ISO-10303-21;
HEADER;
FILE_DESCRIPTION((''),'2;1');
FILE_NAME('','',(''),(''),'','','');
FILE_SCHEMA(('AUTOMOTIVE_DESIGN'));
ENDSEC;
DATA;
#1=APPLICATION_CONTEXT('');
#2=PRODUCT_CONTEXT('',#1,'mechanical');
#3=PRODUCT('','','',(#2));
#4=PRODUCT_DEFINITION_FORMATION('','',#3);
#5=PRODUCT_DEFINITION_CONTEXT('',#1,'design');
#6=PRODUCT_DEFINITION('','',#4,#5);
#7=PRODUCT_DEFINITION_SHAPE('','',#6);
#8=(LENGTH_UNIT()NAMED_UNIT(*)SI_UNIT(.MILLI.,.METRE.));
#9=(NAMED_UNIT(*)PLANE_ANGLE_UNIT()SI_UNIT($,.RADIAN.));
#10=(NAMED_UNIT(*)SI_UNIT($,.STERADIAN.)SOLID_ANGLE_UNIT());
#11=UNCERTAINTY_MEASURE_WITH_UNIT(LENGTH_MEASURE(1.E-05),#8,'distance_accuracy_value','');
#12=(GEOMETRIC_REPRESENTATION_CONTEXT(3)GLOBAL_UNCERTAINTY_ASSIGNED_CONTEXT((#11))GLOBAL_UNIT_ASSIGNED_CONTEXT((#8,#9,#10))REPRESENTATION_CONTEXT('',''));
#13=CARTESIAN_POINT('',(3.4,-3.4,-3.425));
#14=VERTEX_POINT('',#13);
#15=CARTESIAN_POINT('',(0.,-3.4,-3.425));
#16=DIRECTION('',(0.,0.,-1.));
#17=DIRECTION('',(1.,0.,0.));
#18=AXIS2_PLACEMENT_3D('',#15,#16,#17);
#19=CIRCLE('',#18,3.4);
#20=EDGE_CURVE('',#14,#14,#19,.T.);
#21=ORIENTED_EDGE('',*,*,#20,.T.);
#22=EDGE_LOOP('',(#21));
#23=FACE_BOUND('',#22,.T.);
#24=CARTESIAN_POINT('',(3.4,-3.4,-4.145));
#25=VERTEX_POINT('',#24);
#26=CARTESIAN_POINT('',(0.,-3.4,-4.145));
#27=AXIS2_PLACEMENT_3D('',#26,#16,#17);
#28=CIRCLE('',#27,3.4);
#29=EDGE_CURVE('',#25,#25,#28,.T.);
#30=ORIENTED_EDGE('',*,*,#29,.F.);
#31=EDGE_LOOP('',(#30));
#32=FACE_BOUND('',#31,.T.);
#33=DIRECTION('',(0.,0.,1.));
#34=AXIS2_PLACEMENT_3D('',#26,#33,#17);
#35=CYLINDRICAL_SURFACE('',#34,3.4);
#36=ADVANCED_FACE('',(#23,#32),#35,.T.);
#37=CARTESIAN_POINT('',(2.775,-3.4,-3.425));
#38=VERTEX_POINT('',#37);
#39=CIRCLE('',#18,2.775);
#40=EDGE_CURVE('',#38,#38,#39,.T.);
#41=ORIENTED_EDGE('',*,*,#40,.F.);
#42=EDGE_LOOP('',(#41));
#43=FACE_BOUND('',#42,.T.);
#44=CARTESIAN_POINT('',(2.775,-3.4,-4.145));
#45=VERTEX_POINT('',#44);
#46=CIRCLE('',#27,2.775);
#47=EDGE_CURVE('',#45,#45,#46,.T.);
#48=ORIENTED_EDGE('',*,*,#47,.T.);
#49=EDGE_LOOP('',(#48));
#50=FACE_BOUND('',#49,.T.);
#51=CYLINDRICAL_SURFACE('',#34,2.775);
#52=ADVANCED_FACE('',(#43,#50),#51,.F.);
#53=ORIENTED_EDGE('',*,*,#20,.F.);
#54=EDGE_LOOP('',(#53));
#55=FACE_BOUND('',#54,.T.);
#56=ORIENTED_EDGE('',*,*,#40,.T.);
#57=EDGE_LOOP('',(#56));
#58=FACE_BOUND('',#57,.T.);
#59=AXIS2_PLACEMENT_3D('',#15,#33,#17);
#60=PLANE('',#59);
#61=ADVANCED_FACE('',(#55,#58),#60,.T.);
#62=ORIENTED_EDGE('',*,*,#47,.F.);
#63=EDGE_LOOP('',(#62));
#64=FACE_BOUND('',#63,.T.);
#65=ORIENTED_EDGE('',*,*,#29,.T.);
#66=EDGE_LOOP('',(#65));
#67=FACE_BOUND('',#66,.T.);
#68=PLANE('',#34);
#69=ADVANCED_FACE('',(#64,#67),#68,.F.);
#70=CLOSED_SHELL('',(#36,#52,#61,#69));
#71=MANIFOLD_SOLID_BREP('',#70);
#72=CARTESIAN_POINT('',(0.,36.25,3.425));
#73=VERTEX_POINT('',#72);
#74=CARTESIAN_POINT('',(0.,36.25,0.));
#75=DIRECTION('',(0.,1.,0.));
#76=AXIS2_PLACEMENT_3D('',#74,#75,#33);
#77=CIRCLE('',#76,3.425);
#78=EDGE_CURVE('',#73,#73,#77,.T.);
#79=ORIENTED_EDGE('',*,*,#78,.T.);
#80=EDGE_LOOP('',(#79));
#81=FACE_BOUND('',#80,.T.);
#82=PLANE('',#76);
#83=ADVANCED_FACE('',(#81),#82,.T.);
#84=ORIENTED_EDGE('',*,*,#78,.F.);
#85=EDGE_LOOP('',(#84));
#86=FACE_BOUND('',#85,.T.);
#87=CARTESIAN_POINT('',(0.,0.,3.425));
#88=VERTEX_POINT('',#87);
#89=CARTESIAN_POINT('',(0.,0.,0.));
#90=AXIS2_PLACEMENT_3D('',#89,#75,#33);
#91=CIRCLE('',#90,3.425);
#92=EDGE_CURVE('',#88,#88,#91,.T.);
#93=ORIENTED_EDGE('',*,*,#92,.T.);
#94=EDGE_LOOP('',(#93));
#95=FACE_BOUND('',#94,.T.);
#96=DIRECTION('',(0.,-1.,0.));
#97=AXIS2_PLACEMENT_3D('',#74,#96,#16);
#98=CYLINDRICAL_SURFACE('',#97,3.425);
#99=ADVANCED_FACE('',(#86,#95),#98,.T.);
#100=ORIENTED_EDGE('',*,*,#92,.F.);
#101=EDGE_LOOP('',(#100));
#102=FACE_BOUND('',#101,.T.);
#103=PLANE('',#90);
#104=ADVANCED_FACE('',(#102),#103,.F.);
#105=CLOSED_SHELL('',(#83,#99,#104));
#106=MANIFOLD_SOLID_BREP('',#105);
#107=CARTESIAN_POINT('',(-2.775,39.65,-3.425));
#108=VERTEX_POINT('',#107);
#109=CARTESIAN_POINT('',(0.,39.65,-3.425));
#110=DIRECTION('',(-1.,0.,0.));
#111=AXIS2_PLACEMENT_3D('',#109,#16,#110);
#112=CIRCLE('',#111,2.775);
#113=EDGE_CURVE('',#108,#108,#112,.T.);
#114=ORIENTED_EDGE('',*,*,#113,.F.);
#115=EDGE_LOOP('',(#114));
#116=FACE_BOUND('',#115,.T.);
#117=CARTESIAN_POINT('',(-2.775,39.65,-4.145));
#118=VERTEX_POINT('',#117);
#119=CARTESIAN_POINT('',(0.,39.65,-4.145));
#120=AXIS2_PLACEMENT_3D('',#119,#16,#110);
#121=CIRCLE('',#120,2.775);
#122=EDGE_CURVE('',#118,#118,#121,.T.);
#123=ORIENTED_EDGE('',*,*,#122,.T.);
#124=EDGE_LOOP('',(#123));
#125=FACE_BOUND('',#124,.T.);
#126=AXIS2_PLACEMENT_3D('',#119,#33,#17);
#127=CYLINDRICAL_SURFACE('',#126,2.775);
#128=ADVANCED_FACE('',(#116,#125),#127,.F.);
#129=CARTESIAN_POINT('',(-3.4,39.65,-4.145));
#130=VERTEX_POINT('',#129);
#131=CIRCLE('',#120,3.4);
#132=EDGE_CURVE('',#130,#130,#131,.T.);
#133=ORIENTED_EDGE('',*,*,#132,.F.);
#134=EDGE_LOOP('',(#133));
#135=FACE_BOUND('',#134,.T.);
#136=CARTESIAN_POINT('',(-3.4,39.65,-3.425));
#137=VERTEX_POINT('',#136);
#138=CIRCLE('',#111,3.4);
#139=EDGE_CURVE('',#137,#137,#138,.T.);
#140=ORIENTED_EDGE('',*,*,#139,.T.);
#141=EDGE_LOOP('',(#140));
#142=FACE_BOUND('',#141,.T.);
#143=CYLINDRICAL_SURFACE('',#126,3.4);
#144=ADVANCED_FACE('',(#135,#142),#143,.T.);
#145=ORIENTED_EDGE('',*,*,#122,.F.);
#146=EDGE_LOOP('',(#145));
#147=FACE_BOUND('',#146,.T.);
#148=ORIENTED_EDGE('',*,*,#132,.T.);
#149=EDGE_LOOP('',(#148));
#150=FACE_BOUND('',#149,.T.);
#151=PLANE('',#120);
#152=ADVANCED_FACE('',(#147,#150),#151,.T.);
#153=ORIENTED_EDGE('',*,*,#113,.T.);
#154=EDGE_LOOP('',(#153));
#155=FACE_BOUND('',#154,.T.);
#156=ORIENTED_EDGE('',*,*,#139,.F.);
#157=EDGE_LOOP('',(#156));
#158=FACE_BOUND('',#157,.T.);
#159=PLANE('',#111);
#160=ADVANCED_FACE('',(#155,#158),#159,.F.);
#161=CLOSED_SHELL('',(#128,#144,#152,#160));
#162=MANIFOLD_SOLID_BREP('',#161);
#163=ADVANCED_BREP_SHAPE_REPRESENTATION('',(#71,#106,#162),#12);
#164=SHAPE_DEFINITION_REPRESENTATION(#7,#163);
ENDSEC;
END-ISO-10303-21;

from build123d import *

# Parameters (mm, degrees)
SKETCH1_R             = 3.425
BOSS_EXTRUDE1_DEPTH   = 36.25
SKETCH2_R             = 3.4
SKETCH2_R_2           = 2.775
BOSS_EXTRUDE2_DEPTH   = 0.72
BOSS_EXTRUDE2_2_DEPTH = 0.72


with BuildPart() as part:
    # Sketch1 → Boss-Extrude1 (new body)
    with BuildSketch(Plane(origin=(0, 0, 0), x_dir=(1, 0, 0), z_dir=(0, 1, 0))):
        Circle(SKETCH1_R)
    extrude(amount=BOSS_EXTRUDE1_DEPTH)


with BuildPart() as body_2:
    # Sketch2 → Boss-Extrude2 (new body)
    with BuildSketch(Plane(origin=(0, 0, -3.425), x_dir=(-1, 0, 0), z_dir=(0, 0, -1))):
        with Locations((0, 39.65)):
            Circle(SKETCH2_R)
        with Locations((0, 39.65)):
            Circle(SKETCH2_R_2, mode=Mode.SUBTRACT)
    extrude(amount=BOSS_EXTRUDE2_DEPTH)


with BuildPart() as body_3:
    # Sketch2 → Boss-Extrude2 2 (new body)
    with BuildSketch(Plane(origin=(0, 0, -3.425), x_dir=(-1, 0, 0), z_dir=(0, 0, -1))):
        with Locations((0, -3.4)):
            Circle(SKETCH2_R)
        with Locations((0, -3.4)):
            Circle(SKETCH2_R_2, mode=Mode.SUBTRACT)
    extrude(amount=BOSS_EXTRUDE2_2_DEPTH)


solid = Compound([part.part, body_2.part, body_3.part])
